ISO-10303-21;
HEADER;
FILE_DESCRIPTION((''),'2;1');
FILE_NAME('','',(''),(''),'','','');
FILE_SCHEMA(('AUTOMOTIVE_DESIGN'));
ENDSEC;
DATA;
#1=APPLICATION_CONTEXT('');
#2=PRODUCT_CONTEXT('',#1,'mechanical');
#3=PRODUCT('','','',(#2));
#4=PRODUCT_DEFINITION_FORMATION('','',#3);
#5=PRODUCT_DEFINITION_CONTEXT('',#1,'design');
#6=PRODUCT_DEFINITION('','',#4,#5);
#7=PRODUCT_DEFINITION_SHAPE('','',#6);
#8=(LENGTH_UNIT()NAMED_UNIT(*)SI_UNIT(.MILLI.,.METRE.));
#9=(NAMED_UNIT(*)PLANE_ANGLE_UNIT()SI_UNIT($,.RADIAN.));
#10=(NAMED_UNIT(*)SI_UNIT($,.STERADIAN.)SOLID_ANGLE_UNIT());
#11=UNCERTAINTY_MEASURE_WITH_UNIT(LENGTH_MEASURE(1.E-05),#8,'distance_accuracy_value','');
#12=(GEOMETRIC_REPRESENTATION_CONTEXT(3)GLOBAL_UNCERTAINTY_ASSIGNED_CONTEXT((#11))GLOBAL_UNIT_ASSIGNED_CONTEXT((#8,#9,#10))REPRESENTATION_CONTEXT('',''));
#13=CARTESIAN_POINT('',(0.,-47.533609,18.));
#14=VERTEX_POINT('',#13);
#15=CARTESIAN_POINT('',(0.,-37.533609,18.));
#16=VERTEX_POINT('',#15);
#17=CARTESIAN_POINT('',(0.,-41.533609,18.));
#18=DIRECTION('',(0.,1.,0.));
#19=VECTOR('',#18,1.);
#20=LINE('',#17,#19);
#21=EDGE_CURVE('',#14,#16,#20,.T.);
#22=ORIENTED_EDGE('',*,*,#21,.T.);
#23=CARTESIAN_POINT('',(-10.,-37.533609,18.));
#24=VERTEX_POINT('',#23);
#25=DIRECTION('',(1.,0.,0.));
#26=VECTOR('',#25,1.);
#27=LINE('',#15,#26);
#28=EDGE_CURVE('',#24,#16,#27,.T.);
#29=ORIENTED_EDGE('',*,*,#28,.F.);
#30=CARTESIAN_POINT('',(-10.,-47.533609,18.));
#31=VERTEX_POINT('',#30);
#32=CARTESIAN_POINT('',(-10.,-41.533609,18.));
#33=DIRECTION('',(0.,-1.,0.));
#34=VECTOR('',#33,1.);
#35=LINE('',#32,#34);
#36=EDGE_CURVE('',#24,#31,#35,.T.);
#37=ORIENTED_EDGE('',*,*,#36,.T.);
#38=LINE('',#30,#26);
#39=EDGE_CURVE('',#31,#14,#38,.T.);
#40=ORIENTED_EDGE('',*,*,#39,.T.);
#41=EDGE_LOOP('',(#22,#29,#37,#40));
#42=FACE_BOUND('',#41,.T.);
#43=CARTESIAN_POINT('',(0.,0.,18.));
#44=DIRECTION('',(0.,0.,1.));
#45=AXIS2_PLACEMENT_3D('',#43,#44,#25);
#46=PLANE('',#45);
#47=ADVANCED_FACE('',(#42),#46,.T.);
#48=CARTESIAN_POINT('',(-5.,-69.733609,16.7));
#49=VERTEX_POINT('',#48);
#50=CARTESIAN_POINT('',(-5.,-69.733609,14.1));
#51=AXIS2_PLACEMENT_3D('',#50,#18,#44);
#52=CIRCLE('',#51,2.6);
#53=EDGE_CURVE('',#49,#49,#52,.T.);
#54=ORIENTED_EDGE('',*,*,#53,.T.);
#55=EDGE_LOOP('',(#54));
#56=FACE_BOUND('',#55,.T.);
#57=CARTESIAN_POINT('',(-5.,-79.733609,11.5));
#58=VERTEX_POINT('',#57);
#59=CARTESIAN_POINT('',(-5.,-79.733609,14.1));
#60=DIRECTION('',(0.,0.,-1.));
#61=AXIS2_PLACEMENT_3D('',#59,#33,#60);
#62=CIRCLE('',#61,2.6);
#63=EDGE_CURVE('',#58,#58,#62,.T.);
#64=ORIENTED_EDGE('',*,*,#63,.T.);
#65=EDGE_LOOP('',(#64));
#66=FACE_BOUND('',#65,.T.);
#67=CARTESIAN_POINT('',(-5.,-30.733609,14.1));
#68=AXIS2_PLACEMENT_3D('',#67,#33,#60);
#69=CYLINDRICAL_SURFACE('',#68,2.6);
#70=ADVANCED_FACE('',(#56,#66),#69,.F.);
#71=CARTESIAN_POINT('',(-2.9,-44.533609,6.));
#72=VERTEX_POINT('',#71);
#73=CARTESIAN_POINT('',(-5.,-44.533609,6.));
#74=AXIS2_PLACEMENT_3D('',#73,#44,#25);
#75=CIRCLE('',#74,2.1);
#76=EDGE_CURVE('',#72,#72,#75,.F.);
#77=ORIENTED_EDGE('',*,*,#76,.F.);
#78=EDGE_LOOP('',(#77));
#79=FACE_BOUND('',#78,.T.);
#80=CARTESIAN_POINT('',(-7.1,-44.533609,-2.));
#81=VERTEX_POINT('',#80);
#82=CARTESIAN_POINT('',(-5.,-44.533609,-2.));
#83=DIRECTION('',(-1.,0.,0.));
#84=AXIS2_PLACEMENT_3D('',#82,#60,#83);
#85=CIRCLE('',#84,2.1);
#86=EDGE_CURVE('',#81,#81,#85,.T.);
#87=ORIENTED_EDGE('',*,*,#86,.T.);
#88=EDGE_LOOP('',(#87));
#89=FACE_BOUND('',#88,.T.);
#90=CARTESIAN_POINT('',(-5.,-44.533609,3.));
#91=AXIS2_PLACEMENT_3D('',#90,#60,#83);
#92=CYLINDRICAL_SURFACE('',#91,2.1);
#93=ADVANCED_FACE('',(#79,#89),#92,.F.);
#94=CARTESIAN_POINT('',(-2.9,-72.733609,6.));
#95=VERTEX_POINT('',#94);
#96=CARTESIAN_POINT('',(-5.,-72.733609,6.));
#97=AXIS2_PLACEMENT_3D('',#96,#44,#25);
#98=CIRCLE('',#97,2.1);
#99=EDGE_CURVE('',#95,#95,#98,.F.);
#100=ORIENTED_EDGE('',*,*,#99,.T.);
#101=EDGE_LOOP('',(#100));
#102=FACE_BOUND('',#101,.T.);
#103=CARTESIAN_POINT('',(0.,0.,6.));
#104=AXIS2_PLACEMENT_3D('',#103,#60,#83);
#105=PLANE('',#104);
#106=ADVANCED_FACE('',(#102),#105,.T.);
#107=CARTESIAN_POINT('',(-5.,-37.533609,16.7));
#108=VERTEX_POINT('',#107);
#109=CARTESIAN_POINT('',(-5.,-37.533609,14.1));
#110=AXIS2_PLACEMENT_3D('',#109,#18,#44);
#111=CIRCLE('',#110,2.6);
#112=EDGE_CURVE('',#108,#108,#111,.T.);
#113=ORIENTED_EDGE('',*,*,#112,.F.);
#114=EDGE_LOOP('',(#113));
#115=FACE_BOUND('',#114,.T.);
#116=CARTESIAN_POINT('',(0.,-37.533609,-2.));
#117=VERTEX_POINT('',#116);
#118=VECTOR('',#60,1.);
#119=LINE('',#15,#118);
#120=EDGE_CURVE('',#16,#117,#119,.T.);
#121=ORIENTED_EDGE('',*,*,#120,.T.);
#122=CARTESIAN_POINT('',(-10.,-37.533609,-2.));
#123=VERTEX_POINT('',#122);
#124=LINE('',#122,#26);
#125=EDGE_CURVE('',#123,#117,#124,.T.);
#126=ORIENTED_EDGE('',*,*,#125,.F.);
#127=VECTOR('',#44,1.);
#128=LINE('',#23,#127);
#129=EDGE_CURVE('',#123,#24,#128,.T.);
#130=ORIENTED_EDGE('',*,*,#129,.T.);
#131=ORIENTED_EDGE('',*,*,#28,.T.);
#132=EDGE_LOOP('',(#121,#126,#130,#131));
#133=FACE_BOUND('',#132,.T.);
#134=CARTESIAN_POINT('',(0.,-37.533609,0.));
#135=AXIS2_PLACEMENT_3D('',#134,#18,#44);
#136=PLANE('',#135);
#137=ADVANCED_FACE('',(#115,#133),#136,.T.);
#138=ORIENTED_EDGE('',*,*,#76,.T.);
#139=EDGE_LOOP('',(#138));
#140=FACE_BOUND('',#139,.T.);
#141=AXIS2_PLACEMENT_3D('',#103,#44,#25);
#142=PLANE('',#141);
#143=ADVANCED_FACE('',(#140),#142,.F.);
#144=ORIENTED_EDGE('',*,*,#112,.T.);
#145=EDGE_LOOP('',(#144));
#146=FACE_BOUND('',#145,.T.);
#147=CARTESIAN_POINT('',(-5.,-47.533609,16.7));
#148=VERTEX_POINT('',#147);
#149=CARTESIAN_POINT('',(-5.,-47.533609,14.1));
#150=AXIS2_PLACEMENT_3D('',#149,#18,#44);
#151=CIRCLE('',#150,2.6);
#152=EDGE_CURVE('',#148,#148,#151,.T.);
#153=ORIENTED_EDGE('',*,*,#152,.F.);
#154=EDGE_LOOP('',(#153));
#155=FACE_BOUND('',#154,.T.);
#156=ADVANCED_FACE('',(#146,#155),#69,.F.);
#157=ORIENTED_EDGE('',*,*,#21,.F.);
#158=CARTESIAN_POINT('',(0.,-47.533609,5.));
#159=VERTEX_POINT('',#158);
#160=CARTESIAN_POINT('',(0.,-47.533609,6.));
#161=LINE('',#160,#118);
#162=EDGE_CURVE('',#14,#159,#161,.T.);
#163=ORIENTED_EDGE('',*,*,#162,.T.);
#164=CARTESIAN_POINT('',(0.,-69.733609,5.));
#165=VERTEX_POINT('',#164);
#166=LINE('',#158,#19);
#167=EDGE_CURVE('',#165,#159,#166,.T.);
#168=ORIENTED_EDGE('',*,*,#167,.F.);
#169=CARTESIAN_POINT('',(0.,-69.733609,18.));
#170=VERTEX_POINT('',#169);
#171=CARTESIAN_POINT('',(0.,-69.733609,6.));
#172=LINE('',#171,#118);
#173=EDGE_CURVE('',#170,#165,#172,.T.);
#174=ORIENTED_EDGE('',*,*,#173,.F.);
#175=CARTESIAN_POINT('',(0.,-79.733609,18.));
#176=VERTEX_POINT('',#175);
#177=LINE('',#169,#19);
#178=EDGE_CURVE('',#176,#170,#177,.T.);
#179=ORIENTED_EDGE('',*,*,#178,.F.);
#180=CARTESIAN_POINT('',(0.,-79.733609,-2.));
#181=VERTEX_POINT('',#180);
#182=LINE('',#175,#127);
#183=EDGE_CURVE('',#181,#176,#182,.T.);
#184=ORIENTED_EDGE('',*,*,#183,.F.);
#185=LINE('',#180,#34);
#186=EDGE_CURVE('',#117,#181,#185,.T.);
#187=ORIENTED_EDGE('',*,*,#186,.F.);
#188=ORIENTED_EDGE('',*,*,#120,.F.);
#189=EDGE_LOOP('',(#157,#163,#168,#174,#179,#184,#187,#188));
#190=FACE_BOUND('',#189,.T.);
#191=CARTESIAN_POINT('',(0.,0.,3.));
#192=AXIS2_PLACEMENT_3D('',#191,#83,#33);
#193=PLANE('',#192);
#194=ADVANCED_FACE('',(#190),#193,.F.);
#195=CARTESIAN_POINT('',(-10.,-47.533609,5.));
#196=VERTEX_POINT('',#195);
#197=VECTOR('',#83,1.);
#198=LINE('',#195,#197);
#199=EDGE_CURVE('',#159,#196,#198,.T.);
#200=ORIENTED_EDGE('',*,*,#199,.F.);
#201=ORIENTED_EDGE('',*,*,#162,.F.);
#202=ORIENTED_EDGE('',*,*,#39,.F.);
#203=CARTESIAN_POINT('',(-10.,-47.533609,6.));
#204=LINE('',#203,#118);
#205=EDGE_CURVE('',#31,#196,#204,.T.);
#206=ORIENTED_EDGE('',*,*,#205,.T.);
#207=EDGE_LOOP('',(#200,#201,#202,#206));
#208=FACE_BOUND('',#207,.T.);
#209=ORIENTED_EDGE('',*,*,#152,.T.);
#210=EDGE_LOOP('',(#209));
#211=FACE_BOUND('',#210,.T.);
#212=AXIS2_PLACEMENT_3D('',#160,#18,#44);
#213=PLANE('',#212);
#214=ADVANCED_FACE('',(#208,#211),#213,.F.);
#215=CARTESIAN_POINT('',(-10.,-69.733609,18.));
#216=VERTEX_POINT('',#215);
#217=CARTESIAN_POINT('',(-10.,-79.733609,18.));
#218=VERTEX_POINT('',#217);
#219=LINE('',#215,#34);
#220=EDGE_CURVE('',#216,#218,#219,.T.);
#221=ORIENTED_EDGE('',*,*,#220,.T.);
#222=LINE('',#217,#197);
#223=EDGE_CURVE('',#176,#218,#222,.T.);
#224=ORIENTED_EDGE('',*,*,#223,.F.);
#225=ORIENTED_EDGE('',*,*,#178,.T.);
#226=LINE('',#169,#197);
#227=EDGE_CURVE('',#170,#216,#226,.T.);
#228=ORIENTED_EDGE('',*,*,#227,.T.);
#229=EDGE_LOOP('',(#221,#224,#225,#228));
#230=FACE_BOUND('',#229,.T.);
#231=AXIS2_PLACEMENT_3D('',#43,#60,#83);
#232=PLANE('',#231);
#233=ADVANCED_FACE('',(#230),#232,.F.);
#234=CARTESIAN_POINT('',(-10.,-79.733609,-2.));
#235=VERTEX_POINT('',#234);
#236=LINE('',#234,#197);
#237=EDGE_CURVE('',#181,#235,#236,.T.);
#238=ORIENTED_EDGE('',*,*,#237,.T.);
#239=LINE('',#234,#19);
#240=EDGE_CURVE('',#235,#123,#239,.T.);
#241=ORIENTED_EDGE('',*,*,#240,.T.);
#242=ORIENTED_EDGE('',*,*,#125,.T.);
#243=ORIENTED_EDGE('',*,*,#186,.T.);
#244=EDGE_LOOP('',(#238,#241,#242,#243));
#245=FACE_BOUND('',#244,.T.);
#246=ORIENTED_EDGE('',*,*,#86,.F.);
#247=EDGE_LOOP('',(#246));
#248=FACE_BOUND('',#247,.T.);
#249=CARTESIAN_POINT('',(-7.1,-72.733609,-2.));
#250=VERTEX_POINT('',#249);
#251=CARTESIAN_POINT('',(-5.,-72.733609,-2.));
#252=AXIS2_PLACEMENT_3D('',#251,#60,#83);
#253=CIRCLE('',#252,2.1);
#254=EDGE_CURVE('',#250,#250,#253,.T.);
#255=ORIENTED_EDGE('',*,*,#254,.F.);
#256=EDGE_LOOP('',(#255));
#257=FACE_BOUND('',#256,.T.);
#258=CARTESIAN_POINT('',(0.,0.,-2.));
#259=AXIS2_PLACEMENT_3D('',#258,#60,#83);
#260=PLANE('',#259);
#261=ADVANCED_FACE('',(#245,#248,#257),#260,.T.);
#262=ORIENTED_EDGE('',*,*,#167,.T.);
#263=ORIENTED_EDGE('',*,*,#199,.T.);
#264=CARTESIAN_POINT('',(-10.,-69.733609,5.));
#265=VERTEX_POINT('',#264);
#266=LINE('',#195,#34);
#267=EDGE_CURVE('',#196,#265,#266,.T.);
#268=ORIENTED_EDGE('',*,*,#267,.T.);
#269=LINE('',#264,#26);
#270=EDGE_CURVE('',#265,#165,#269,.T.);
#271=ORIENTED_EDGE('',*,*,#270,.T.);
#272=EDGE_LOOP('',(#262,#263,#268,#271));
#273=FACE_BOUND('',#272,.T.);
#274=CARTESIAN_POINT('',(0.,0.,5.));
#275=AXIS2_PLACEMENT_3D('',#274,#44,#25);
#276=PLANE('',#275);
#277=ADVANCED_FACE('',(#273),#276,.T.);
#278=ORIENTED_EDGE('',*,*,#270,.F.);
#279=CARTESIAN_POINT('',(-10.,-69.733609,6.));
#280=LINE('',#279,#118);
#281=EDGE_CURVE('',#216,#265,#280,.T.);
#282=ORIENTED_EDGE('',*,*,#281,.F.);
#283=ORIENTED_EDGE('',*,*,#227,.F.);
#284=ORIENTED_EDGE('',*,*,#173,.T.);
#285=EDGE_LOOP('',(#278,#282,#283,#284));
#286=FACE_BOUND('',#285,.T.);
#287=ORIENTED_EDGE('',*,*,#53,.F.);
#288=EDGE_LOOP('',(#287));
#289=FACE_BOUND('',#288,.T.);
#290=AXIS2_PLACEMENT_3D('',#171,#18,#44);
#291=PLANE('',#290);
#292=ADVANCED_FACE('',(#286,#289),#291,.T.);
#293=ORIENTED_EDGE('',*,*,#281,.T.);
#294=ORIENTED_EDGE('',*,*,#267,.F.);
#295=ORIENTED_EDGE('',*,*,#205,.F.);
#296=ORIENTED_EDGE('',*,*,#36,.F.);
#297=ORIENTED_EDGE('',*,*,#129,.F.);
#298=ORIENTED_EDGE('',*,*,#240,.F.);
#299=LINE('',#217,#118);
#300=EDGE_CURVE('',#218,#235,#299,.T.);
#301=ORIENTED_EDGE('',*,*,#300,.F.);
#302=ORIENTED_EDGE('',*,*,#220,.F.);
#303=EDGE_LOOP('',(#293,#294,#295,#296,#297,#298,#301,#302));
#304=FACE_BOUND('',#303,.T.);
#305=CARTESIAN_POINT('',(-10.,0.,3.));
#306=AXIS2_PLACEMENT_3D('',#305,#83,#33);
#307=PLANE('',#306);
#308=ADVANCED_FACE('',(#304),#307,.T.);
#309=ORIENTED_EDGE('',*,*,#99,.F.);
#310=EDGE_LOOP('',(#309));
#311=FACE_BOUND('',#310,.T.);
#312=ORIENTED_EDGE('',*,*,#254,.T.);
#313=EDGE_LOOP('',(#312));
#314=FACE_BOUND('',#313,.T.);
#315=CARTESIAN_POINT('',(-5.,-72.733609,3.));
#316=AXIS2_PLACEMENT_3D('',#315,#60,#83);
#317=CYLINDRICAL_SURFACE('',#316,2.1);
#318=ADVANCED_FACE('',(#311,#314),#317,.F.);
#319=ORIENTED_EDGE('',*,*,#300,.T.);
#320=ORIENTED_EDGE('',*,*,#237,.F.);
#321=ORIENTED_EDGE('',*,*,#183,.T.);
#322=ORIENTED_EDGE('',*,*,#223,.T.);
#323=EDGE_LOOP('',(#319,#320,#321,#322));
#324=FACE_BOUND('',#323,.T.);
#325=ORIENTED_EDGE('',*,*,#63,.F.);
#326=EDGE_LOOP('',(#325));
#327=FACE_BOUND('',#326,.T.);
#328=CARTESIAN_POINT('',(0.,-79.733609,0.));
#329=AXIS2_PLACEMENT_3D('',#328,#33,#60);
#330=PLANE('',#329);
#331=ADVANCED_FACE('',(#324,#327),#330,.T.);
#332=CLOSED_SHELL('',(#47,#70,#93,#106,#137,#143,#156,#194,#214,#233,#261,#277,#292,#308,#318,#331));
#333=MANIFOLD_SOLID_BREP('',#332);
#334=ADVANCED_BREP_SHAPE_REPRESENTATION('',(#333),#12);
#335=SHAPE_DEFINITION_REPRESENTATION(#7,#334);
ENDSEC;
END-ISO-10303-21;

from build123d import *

# Parameters (mm, degrees)
SKETCH1_W           = 34.2
SKETCH1_H           = 10
SKETCH1_R           = 2.1
BOSS_EXTRUDE1_DEPTH = 3
SKETCH2_W           = 10
SKETCH2_H           = 6
SKETCH2_R           = 2.1
BOSS_EXTRUDE2_DEPTH = 3
SKETCH4_W           = 10
SKETCH4_H           = 6
BOSS_EXTRUDE3_DEPTH = 12
SKETCH5_R           = 2.6
CUT_EXTRUDE1_DEPTH  = 45
SKETCH6_W           = 10
SKETCH6_H           = 22.2
BOSS_EXTRUDE4_DEPTH = 2
BOSS_EXTRUDE5_START = 4
SKETCH7_W           = 10
SKETCH7_H           = 18
SKETCH7_R           = 2.6
BOSS_EXTRUDE5_DEPTH = 4
SKETCH8_W           = 10
SKETCH8_H           = 18
SKETCH8_R           = 2.6
BOSS_EXTRUDE6_DEPTH = 4
BOSS_EXTRUDE7_START = 2
SKETCH10_W          = 10
SKETCH10_H          = 42.2
SKETCH10_R          = 2.1
BOSS_EXTRUDE7_DEPTH = 2


with BuildPart() as part:
    # Sketch1 → Boss-Extrude1 (new body)
    with BuildSketch(Plane(origin=(0, 0, 0), x_dir=(0, 1, 0), z_dir=(0, 0, 1))):
        with Locations((-58.633609256, 5)):
            Rectangle(SKETCH1_W, SKETCH1_H)
        with Locations(Location((-72.733609256, 5, 0), (0, 0, 90))):
            Circle(SKETCH1_R, mode=Mode.SUBTRACT)
        with Locations(Location((-44.533609256, 5, 0), (0, 0, 90))):
            Circle(SKETCH1_R, mode=Mode.SUBTRACT)
    extrude(amount=BOSS_EXTRUDE1_DEPTH)

    # Sketch2 → Boss-Extrude2 (add)
    # profile 1 of 2: a face of its own
    with BuildSketch(Plane.XY.offset(3)):
        with Locations((-5, -44.533609256)):
            Rectangle(SKETCH2_W, SKETCH2_H)
        with Locations(Location((-5, -44.533609256, 0), (0, 0, 180))):
            Circle(SKETCH2_R, mode=Mode.SUBTRACT)
    # profile 2 of 2: a face of its own
    with BuildSketch(Plane.XY.offset(3)):
        with Locations((-5, -72.733609256)):
            Rectangle(SKETCH2_W, SKETCH2_H)
        with Locations(Location((-5, -72.733609256, 0), (0, 0, 180))):
            Circle(SKETCH2_R, mode=Mode.SUBTRACT)
    extrude(amount=BOSS_EXTRUDE2_DEPTH)

    # Sketch4 → Boss-Extrude3 (add)
    with BuildSketch(Plane.XY.offset(6)):
        with Locations((-5, -44.533609256)):
            Rectangle(SKETCH4_W, SKETCH4_H)
        with Locations((-5, -72.733609256)):
            Rectangle(SKETCH4_W, SKETCH4_H)
    extrude(amount=BOSS_EXTRUDE3_DEPTH)

    # Sketch5 → Cut-Extrude1 (cut)
    with BuildSketch(Plane.XZ.offset(75.733609256)):
        with Locations(Location((-5, 14.1, 0), (0, 0, 90))):
            Circle(SKETCH5_R)
    extrude(amount=-CUT_EXTRUDE1_DEPTH, mode=Mode.SUBTRACT)

    # Sketch6 → Boss-Extrude4 (add)
    with BuildSketch(Plane.XY.offset(3)):
        with Locations((-5, -58.633609256)):
            Rectangle(SKETCH6_W, SKETCH6_H)
    extrude(amount=BOSS_EXTRUDE4_DEPTH)

    # Sketch7 → Boss-Extrude5 (add)
    with BuildSketch(Plane.XZ.offset(75.733609256).offset(BOSS_EXTRUDE5_START)):
        with Locations((-5, 9)):
            Rectangle(SKETCH7_W, SKETCH7_H)
        with Locations(Location((-5, 14.1, 0), (0, 0, 90))):
            Circle(SKETCH7_R, mode=Mode.SUBTRACT)
    extrude(amount=-BOSS_EXTRUDE5_DEPTH)

    # Sketch8 → Boss-Extrude6 (add)
    with BuildSketch(Plane(origin=(0, -41.533609256, 0), x_dir=(-1, 0, 0), z_dir=(0, 1, 0))):
        with Locations((5, 9)):
            Rectangle(SKETCH8_W, SKETCH8_H)
        with Locations(Location((5, 14.1, 0), (0, 0, 90))):
            Circle(SKETCH8_R, mode=Mode.SUBTRACT)
    extrude(amount=BOSS_EXTRUDE6_DEPTH)

    # Sketch10 → Boss-Extrude7 (add)
    with BuildSketch(Plane(origin=(0, 0, 0), x_dir=(1, 0, 0), z_dir=(0, 0, -1)).offset(BOSS_EXTRUDE7_START)):
        with Locations((-5, 58.633609256)):
            Rectangle(SKETCH10_W, SKETCH10_H)
        with Locations(Location((-5, 72.733609256, 0), (0, 0, 180))):
            Circle(SKETCH10_R, mode=Mode.SUBTRACT)
        with Locations(Location((-5, 44.533609256, 0), (0, 0, 180))):
            Circle(SKETCH10_R, mode=Mode.SUBTRACT)
    extrude(amount=-BOSS_EXTRUDE7_DEPTH)


solid = part.part
